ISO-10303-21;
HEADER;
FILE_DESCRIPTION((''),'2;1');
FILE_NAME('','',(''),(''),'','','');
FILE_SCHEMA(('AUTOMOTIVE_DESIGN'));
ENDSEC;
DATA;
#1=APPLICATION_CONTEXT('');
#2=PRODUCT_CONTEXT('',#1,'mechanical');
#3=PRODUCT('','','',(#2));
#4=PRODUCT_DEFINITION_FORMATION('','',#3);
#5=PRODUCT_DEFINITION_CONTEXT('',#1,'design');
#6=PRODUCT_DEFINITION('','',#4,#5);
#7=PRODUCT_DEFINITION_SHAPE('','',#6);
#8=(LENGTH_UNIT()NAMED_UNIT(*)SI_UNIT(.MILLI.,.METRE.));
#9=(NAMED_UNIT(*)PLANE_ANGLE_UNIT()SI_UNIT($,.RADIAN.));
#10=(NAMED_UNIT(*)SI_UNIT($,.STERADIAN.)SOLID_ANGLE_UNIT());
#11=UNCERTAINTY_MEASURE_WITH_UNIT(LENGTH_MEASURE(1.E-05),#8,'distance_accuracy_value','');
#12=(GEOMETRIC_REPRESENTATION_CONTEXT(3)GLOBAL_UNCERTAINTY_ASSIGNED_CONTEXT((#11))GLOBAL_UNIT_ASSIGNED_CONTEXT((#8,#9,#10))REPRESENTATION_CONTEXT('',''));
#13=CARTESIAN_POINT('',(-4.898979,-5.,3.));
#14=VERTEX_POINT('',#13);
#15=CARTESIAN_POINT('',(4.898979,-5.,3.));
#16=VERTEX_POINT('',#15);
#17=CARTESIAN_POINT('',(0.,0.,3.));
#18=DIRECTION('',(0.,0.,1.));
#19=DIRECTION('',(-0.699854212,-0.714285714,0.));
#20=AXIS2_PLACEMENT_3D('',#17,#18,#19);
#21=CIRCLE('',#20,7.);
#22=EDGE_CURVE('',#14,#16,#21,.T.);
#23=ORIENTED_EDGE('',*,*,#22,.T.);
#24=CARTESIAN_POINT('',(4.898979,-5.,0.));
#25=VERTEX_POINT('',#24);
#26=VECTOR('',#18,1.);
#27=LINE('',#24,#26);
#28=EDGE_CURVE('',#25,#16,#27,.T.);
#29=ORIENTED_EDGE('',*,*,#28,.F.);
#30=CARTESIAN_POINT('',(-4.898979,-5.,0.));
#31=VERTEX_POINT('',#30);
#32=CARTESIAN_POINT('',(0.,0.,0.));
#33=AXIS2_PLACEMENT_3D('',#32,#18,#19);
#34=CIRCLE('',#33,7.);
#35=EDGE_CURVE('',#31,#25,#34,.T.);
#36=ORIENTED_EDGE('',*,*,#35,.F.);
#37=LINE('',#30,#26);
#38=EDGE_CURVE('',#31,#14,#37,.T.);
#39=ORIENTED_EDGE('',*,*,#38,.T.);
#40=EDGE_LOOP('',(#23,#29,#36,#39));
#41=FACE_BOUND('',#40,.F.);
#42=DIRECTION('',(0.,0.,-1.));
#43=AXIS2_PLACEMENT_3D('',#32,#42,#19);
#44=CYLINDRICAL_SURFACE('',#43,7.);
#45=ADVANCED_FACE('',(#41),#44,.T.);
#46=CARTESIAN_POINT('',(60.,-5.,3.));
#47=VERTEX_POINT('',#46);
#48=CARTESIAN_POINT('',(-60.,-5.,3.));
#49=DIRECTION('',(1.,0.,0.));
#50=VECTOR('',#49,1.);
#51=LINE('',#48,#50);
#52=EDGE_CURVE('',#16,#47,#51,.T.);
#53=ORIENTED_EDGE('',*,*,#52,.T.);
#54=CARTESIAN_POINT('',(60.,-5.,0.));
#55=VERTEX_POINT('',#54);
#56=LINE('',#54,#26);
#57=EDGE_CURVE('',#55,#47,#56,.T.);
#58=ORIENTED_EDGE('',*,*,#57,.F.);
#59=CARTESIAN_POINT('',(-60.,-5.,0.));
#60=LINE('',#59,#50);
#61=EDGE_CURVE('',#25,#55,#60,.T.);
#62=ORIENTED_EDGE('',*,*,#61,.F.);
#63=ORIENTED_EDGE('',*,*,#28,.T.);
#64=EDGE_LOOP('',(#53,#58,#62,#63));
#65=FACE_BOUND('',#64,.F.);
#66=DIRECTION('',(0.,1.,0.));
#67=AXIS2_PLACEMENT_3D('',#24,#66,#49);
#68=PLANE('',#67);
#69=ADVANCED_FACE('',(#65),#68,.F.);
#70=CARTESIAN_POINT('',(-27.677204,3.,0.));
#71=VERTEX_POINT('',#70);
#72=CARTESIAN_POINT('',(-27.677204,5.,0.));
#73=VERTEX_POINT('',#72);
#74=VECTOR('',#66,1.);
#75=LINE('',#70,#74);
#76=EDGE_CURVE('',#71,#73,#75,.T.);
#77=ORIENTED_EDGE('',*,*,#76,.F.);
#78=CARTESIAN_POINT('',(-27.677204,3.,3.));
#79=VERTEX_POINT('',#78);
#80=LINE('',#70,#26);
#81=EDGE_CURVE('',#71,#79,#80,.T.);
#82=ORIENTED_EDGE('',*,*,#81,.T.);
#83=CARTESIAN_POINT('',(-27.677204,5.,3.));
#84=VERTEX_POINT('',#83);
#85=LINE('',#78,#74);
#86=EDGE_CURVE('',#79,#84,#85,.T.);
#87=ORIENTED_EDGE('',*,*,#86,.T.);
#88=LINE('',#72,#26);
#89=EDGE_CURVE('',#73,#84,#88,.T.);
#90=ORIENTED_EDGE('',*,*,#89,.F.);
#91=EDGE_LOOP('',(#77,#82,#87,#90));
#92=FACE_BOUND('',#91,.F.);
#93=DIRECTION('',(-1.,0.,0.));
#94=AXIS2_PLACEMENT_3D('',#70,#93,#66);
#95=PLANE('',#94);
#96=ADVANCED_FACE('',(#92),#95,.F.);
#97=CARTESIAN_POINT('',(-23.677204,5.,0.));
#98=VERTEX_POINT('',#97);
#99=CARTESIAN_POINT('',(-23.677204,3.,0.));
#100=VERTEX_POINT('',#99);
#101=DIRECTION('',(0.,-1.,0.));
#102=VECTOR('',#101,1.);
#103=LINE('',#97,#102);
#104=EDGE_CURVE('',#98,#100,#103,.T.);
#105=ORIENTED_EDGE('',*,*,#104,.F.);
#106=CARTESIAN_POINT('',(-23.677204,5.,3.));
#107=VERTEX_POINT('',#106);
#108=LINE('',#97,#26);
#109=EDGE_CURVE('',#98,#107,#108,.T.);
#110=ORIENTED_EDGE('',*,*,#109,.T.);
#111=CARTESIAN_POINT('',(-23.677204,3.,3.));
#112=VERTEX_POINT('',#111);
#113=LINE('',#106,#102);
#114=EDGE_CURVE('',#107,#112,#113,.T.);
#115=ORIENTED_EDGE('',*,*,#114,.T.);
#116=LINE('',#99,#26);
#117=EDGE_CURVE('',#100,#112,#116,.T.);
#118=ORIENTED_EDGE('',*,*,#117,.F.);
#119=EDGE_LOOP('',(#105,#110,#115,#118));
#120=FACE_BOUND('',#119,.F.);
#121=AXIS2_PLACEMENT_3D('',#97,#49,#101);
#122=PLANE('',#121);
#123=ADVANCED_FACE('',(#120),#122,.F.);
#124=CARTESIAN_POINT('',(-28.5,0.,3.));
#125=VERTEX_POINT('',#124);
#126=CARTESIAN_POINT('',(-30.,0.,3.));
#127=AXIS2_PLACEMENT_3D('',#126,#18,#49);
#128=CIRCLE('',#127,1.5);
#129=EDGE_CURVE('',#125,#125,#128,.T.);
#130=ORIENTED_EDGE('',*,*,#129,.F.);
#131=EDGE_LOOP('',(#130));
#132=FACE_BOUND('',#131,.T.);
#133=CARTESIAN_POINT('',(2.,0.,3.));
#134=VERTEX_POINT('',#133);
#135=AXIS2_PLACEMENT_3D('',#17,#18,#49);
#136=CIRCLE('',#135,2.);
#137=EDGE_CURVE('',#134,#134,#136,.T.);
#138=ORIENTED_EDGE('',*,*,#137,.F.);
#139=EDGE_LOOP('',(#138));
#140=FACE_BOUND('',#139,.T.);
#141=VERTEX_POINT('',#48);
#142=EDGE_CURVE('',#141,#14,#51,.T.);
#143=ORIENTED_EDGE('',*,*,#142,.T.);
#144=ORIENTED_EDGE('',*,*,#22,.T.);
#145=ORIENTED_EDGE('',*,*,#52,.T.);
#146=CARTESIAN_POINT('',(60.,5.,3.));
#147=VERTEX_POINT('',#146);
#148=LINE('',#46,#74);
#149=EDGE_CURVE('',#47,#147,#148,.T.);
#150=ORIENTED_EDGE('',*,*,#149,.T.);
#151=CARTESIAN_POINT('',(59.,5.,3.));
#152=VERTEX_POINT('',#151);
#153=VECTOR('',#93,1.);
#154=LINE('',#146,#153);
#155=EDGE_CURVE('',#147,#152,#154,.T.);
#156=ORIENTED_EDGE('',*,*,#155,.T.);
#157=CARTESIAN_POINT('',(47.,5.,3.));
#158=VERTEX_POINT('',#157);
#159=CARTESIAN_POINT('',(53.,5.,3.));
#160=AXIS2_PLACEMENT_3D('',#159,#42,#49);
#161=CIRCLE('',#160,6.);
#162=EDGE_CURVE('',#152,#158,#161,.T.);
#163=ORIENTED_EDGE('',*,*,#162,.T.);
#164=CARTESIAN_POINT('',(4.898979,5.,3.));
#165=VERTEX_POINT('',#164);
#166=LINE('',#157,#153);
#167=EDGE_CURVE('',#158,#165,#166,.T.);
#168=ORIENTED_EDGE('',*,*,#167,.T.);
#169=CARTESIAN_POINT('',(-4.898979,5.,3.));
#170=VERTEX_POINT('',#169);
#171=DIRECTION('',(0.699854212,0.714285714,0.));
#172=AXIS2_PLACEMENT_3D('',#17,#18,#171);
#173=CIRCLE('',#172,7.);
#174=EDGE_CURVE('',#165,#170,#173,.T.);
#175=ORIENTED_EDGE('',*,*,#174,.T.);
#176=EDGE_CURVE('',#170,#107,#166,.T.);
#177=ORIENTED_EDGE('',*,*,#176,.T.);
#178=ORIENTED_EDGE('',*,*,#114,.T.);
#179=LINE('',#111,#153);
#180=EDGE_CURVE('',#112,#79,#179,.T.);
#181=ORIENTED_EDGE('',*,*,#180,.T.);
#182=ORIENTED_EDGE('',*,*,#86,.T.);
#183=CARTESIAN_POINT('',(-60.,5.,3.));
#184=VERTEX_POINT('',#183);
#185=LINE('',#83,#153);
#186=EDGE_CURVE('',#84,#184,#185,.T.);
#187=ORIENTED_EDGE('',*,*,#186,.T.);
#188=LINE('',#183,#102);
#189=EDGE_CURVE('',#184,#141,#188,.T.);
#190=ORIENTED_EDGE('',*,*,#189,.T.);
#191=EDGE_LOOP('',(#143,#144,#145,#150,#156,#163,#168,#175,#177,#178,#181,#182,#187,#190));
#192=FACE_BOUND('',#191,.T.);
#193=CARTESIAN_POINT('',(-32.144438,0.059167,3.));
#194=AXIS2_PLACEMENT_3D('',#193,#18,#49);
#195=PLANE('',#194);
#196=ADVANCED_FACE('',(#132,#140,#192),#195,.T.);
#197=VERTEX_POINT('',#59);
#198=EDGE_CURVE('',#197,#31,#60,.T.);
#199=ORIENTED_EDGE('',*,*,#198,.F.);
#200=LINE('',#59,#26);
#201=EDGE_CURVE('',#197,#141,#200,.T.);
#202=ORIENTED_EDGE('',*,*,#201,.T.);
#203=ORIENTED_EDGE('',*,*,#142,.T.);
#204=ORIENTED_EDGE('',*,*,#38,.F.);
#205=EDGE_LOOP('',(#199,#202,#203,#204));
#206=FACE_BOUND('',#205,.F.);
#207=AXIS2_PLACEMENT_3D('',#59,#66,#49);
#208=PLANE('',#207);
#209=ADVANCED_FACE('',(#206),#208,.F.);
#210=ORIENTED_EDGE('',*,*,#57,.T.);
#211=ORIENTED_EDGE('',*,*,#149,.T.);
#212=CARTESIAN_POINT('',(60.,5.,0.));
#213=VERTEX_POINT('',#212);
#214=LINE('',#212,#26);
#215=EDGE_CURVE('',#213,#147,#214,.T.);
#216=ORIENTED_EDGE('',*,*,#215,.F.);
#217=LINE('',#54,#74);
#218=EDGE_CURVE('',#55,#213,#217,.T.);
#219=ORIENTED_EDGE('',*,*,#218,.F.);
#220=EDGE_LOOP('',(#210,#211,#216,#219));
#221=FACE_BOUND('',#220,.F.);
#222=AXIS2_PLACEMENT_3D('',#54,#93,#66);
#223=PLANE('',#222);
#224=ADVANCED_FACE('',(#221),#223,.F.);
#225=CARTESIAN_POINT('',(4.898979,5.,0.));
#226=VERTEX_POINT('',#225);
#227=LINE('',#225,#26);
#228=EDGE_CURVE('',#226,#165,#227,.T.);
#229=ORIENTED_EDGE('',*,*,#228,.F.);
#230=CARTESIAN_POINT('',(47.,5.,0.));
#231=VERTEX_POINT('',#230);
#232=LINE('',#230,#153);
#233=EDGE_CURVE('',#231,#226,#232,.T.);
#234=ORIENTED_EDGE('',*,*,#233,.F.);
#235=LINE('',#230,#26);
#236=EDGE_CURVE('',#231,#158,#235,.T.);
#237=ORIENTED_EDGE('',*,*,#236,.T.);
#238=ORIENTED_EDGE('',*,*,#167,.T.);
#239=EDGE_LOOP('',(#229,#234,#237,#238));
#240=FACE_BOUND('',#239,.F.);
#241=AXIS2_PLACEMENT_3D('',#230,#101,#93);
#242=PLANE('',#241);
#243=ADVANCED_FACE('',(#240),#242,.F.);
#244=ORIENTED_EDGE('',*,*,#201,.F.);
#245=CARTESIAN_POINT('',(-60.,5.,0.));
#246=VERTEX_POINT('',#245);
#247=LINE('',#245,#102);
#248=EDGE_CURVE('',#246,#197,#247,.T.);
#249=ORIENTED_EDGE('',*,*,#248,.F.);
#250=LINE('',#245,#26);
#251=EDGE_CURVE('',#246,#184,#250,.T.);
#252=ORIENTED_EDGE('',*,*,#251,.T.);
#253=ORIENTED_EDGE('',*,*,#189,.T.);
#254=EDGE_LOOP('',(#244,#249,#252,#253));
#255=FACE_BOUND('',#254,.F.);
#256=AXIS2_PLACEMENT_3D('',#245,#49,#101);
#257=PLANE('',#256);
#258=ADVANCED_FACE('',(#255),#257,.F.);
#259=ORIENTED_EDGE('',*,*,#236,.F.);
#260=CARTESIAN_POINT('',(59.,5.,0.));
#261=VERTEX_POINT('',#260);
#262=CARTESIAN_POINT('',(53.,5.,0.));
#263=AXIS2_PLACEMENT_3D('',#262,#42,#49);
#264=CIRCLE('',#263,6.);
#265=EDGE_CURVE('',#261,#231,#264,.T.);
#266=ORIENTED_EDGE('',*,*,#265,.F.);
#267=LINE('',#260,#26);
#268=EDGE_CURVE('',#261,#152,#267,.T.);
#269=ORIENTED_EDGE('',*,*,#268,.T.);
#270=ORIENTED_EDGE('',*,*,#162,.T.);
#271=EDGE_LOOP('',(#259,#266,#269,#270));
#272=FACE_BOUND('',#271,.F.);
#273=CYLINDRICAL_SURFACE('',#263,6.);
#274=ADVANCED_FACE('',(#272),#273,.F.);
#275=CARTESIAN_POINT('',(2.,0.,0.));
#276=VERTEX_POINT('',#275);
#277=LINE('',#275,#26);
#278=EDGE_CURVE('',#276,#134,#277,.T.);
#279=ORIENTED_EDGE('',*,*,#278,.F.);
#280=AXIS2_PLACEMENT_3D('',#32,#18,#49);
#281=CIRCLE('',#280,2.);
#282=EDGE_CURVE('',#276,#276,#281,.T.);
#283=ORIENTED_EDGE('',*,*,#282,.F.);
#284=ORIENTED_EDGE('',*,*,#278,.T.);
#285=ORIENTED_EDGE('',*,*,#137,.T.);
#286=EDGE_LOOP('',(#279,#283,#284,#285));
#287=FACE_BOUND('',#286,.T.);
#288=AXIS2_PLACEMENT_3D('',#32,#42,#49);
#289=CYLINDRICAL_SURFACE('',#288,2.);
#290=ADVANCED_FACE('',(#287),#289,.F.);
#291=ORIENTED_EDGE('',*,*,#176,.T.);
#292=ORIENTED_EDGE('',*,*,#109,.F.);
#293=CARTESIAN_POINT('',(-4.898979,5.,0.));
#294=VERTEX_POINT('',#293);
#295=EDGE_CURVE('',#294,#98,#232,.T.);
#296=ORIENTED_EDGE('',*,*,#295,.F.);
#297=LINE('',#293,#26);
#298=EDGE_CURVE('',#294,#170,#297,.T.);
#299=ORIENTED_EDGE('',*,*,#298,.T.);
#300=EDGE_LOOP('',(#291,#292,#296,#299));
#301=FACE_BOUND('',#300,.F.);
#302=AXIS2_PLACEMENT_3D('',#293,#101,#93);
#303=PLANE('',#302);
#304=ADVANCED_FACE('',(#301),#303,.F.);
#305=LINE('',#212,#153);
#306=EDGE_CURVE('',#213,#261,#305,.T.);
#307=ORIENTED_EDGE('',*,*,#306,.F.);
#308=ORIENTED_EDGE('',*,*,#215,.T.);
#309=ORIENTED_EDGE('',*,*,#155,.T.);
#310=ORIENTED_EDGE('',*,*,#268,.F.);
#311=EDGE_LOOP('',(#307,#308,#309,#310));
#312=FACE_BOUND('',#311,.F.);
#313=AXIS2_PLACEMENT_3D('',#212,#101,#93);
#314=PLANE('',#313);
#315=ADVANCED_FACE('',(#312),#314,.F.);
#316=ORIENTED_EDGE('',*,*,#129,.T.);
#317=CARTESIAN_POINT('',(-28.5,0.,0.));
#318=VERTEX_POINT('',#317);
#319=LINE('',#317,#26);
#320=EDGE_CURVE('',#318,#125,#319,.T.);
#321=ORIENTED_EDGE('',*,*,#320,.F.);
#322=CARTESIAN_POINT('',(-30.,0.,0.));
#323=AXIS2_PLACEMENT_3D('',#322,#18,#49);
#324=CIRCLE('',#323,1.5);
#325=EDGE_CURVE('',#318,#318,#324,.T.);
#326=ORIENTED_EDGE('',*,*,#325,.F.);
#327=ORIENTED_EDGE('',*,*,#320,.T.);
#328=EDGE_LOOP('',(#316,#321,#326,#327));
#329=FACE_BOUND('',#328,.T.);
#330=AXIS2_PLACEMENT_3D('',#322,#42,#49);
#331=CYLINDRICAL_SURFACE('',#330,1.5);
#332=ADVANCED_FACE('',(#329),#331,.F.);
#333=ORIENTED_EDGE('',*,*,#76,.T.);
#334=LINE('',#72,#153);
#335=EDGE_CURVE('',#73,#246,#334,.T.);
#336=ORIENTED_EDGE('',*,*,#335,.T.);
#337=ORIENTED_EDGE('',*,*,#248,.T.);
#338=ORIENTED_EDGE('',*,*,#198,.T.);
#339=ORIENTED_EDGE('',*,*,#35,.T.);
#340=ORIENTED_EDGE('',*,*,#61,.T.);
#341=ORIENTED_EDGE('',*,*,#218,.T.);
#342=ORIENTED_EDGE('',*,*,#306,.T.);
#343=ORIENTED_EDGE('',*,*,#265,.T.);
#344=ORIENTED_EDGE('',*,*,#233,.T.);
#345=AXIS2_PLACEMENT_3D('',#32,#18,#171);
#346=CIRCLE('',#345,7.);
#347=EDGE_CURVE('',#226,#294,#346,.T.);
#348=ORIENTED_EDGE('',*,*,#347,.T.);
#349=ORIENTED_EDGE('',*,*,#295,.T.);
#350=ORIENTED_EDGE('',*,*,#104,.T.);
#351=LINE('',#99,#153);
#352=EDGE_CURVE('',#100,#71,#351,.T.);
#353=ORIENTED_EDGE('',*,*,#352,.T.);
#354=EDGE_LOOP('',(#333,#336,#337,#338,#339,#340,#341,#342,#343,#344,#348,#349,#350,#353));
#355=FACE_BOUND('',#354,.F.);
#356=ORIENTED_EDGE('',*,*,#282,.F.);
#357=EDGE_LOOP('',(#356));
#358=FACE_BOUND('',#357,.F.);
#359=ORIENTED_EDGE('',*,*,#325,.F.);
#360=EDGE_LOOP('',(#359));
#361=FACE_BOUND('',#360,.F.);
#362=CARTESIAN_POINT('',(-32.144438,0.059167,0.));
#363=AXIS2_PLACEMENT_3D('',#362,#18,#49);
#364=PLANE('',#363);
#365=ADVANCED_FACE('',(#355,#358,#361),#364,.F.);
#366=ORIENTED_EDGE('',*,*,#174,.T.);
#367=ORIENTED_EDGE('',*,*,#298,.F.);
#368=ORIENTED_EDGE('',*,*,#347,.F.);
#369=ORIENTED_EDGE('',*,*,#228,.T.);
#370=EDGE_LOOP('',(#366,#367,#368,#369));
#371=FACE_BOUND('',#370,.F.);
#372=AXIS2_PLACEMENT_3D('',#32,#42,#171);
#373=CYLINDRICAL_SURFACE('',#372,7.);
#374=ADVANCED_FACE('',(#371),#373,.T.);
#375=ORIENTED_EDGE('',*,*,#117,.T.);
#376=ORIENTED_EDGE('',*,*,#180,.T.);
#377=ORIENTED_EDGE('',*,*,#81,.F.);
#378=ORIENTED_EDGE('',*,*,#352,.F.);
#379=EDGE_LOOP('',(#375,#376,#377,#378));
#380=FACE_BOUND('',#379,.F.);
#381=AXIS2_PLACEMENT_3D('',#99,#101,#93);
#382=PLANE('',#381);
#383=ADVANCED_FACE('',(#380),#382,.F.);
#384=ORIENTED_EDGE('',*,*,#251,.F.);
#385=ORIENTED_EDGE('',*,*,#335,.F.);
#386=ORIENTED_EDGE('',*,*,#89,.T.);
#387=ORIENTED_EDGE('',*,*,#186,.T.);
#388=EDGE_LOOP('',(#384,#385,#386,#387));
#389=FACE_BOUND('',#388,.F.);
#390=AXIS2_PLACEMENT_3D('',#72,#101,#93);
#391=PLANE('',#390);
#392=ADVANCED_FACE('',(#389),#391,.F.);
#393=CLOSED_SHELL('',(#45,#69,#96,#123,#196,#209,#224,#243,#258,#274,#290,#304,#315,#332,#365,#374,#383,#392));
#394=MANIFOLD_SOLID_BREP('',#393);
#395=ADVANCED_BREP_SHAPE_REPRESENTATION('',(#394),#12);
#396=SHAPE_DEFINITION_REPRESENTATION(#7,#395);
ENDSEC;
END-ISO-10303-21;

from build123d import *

# Parameters (mm, degrees)
F0_R     = 1.5
F0_R_2   = 2
F1_DEPTH = 3


with BuildPart() as f1:
    # F0 (on Top) → F1 (new body)
    with BuildSketch(Plane.XY):
        with BuildLine():
            Line((-27.6772044599, 5), (-60, 5))
            Line((-60, 5), (-60, -5))
            Line((-60, -5), (-4.8989794856, -5))
            ThreePointArc((-4.8989794856, -5), (-7, 0), (-4.8989794856, 5))
            Line((-4.8989794856, 5), (-23.6772044599, 5))
            Line((-23.6772044599, 5), (-23.6772044599, 3))
            Line((-23.6772044599, 3), (-27.6772044599, 3))
            Line((-27.6772044599, 3), (-27.6772044599, 5))
        make_face()
        with Locations((-30, 0)):
            Circle(F0_R, mode=Mode.SUBTRACT)
        with BuildLine():
            ThreePointArc((7, 0), (6.4534043883, -2.7117470016), (4.8989794856, -5))
            Line((4.8989794856, -5), (60, -5))
            Line((60, -5), (60, 5))
            Line((60, 5), (59, 5))
            ThreePointArc((59, 5), (53, -1), (47, 5))
            Line((47, 5), (4.8989794856, 5))
            ThreePointArc((4.8989794856, 5), (6.4534043883, 2.7117470016), (7, 0))
        make_face()
        with BuildLine():
            ThreePointArc((-4.8989794856, 5), (-7, 0), (-4.8989794856, -5))
            Line((-4.8989794856, -5), (4.8989794856, -5))
            ThreePointArc((4.8989794856, -5), (6.4534043883, -2.7117470016), (7, 0))
            ThreePointArc((7, 0), (6.4534043883, 2.7117470016), (4.8989794856, 5))
            Line((4.8989794856, 5), (-4.8989794856, 5))
        make_face()
        Circle(F0_R_2, mode=Mode.SUBTRACT)
        with BuildLine():
            Line((4.8989794856, -5), (-4.8989794856, -5))
            ThreePointArc((-4.8989794856, -5), (0, -7), (4.8989794856, -5))
        make_face()
        with BuildLine():
            ThreePointArc((4.8989794856, 5), (0, 7), (-4.8989794856, 5))
            Line((-4.8989794856, 5), (4.8989794856, 5))
        make_face()
    extrude(amount=F1_DEPTH)


solid = f1.part
